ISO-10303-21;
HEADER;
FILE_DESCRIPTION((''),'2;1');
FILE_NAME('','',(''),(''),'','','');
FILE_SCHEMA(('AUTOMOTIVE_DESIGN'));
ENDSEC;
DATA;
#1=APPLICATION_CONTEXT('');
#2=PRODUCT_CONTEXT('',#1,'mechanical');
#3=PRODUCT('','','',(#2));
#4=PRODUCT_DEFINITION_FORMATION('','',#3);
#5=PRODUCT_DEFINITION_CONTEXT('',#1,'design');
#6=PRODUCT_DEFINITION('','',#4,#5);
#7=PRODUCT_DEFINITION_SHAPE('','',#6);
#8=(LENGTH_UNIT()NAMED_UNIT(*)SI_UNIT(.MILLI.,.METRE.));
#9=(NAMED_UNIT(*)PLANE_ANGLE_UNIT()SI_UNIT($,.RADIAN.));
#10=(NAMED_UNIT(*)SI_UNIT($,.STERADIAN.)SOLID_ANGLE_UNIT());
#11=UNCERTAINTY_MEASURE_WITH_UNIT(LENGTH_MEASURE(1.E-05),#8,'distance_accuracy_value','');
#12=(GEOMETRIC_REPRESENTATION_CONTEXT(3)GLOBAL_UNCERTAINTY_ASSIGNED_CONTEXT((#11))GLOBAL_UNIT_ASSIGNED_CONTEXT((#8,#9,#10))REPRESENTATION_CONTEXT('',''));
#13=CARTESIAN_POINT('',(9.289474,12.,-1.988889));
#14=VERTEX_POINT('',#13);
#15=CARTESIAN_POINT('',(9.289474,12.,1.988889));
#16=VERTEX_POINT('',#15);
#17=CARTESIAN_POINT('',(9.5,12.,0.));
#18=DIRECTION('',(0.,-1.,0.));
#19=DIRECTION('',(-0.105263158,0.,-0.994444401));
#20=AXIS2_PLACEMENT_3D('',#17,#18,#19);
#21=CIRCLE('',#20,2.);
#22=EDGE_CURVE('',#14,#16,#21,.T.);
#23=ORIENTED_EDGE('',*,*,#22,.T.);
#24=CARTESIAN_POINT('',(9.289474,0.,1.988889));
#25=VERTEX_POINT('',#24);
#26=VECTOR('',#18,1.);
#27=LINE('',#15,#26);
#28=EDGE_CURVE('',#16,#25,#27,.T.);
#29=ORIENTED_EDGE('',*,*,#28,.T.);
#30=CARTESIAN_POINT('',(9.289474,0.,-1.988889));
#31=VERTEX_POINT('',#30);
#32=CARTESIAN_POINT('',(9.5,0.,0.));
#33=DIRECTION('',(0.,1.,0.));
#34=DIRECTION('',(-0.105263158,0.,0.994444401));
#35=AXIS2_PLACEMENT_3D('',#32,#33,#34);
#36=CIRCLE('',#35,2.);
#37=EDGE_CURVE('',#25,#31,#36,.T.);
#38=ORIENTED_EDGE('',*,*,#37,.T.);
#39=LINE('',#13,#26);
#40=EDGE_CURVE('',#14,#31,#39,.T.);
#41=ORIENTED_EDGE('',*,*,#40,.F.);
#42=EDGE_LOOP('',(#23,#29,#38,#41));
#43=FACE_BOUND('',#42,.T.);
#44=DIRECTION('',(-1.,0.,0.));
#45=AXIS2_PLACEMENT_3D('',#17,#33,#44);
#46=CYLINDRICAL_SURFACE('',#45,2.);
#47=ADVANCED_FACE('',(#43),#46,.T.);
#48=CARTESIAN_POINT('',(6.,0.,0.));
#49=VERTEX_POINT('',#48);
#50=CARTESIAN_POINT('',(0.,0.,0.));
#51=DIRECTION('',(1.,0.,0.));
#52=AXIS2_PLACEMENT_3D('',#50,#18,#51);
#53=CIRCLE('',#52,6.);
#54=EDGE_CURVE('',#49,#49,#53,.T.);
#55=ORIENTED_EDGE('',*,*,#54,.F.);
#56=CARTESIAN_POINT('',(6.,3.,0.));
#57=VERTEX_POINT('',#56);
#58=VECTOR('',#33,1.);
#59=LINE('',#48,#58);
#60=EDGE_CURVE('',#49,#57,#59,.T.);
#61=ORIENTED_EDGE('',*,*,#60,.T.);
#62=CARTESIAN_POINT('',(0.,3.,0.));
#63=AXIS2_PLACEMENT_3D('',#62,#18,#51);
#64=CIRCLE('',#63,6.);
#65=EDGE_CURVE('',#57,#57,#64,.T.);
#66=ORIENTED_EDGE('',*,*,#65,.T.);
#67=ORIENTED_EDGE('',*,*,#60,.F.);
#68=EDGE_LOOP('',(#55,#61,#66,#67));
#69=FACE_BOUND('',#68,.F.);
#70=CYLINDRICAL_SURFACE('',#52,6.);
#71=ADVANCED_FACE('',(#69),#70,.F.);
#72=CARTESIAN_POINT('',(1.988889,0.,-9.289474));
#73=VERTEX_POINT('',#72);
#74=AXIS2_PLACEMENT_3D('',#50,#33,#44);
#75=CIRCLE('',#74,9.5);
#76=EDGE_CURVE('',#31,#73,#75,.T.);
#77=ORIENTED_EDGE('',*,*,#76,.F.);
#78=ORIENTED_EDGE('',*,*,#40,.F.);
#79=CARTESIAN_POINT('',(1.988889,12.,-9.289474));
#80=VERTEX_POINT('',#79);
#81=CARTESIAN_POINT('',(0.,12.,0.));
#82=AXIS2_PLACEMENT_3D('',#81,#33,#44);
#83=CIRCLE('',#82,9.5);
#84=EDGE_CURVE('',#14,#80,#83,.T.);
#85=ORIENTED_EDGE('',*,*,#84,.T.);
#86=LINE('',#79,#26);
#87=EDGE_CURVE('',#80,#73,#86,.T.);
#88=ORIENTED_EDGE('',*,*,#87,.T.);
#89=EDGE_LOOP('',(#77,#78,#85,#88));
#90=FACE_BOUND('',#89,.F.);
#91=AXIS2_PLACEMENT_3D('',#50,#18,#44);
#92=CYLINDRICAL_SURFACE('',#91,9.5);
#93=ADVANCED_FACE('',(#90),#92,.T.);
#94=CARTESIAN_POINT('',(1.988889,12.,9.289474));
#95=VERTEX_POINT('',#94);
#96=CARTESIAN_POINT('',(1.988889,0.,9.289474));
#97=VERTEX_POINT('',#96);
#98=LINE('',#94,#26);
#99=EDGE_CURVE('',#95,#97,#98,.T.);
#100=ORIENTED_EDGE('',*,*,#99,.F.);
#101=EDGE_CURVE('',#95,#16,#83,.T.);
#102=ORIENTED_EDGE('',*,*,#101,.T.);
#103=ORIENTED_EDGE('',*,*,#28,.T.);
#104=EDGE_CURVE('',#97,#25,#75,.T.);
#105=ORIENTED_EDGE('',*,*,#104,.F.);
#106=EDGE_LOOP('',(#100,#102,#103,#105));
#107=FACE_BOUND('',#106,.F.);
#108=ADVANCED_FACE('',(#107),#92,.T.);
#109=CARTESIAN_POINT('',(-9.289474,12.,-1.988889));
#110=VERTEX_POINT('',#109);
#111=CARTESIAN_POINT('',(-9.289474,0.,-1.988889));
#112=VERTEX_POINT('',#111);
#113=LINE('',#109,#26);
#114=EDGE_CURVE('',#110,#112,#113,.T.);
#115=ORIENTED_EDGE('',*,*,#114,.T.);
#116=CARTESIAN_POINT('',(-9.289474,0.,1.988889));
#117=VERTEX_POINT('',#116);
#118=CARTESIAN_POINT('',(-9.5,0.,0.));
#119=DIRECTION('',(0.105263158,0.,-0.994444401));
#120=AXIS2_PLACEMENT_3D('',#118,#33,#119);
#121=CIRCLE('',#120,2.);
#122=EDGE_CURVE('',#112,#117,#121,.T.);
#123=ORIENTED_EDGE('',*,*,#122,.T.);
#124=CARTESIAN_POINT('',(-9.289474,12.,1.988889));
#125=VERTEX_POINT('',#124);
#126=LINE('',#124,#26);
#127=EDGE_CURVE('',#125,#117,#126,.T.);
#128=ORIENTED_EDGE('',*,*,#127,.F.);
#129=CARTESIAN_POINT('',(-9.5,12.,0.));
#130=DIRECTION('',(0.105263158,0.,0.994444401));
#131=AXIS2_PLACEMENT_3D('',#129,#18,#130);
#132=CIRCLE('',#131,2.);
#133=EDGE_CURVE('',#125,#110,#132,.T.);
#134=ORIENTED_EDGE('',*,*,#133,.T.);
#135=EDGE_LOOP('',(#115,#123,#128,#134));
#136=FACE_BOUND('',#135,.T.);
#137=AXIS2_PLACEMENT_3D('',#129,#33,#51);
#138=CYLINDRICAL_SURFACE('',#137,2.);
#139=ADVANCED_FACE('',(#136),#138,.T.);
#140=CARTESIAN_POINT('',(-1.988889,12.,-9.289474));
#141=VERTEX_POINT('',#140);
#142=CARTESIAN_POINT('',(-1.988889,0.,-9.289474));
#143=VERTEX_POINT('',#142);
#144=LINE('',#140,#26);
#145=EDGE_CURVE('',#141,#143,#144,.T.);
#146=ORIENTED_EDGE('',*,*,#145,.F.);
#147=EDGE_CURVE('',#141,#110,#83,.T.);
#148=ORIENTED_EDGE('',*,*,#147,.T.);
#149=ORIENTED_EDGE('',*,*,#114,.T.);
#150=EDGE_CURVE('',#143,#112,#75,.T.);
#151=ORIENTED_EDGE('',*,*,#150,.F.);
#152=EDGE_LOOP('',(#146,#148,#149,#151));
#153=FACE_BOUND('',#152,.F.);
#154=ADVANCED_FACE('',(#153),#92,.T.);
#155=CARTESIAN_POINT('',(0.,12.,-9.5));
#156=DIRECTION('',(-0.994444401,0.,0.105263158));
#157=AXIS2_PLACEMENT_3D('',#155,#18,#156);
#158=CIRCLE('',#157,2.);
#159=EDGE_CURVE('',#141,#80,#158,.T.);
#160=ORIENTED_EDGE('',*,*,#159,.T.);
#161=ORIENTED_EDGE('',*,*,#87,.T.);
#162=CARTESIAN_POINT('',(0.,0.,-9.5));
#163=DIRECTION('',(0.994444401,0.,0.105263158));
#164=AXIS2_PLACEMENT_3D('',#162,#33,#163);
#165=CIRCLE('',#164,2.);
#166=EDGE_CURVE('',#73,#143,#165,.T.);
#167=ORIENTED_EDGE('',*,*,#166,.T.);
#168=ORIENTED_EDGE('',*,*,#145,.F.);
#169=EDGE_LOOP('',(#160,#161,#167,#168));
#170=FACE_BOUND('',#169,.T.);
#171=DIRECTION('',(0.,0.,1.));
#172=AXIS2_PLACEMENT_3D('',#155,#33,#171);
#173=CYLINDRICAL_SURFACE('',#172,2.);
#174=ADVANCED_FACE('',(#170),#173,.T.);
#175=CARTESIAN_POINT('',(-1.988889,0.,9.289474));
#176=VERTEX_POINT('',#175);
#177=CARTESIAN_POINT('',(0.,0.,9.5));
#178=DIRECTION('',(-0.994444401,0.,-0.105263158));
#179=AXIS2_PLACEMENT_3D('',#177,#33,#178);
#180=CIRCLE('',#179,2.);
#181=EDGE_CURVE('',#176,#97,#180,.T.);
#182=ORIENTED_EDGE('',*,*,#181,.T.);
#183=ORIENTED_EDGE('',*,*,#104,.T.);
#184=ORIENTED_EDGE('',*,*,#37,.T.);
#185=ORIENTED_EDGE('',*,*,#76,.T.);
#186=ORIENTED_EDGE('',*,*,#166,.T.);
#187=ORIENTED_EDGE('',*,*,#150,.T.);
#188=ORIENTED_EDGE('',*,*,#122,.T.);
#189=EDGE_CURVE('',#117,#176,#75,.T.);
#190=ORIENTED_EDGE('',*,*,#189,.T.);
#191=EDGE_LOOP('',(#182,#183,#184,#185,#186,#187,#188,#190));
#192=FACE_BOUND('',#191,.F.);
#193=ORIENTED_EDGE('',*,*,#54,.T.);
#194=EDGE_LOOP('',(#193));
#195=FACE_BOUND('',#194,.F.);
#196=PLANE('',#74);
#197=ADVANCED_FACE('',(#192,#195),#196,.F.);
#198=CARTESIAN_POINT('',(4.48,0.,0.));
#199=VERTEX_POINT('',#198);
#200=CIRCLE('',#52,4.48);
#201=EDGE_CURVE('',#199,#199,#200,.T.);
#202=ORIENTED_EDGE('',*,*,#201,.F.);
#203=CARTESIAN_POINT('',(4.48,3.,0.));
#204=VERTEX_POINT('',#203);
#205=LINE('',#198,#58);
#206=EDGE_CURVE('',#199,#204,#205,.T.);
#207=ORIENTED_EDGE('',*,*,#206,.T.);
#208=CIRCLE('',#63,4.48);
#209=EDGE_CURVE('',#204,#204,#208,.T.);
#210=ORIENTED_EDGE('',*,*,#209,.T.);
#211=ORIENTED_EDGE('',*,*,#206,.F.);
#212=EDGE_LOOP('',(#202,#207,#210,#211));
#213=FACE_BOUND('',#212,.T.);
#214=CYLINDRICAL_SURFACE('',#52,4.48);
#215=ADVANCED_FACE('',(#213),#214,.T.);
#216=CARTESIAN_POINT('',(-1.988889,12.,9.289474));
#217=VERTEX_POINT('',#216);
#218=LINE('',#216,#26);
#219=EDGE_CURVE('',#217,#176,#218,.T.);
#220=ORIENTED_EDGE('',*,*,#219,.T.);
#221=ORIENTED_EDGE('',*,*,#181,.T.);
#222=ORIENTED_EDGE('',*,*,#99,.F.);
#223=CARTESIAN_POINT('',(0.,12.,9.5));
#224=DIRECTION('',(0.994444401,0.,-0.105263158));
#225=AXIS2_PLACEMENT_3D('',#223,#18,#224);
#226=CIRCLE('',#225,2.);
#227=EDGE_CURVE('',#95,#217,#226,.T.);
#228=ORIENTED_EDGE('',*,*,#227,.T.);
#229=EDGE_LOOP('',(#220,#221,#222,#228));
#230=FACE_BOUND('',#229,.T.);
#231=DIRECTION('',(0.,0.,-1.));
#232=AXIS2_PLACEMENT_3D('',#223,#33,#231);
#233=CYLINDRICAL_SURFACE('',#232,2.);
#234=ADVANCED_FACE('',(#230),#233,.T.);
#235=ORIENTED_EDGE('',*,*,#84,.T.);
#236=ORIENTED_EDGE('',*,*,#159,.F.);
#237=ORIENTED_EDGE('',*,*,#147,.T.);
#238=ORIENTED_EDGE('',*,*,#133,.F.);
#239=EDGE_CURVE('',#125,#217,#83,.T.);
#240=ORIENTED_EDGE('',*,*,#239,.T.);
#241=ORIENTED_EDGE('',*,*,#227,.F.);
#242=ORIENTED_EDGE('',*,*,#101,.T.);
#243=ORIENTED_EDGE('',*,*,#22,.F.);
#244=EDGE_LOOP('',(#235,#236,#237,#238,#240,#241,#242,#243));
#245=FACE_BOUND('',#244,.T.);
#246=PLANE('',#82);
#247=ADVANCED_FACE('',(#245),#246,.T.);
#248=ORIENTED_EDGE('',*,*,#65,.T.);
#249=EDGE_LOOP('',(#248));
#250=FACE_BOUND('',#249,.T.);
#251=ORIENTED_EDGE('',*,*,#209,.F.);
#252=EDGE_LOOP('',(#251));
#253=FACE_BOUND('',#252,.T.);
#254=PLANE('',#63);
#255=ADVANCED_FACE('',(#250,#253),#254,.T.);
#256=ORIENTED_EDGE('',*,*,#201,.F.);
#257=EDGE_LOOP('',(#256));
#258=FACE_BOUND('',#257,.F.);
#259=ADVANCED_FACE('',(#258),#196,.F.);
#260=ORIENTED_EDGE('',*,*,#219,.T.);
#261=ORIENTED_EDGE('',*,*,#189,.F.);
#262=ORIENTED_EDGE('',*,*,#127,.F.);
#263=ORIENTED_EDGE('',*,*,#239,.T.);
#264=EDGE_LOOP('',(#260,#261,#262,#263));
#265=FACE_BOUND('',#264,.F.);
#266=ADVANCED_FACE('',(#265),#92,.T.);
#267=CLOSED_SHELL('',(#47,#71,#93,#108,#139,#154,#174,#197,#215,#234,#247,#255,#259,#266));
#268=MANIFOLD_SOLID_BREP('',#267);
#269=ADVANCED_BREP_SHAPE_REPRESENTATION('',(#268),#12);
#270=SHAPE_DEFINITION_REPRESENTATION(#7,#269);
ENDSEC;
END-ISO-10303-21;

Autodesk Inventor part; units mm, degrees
ref_plane "YZ Plane" through (0, 0, 0) normal (1, 0, 0) x (0, 1, 0)
ref_plane "XZ Plane" through (0, 0, 0) normal (0, 1, 0) x (-1, 0, 0)
ref_plane "XY Plane" through (0, 0, 0) normal (0, 0, 1) x (1, 0, 0)
sketch "Sketch1" plane through (0, 0, 0) normal (0, 1, 0) x (-1, 0, 0)
  circle A0 centre (0, 0) radius 9.5
  dimension "d0" = 19
extrude "Extrusion1" add sketch "Sketch1" along normal blind 12
sketch "Sketch3" plane through (0, 0, 0) normal (0, -1, 0) x (1, 0, 0)
  circle A0 centre (0, 0) radius 4.48
  circle A1 centre (0, 0) radius 6
  dimension "d5" = 12
  dimension "d6" = 1.52
extrude "Extrusion3" cut sketch "Sketch3" against normal blind 3
sketch "Sketch4" plane through (0, 12, 0) normal (0, 1, 0) x (1, 0, 0)
  circle A0 centre (0, 0) radius 9.5 projected
  circle A1 centre (-9.5, 0) radius 2
  line L0 (-15.7, 0) -> (13.7, 0) projected
  point P0 (-9.2895, 1.9889)
  point P1 (-9.2895, -1.9889)
  dimension "d10" = 4
extrude "Extrusion4" add sketch "Sketch4" against normal up to surface (12 mm away) contours A0 L0 A1 | A1 L0 A0 picked at (-10.0838, 0.5297) picked at (-10.0838, -0.5297)
pattern_circular "Circular Pattern1" count 4 over 360 about axis through (0, 0, 0) along (0, 1, 0) of "Extrusion4"
properties part number "Soporte Resorte"
